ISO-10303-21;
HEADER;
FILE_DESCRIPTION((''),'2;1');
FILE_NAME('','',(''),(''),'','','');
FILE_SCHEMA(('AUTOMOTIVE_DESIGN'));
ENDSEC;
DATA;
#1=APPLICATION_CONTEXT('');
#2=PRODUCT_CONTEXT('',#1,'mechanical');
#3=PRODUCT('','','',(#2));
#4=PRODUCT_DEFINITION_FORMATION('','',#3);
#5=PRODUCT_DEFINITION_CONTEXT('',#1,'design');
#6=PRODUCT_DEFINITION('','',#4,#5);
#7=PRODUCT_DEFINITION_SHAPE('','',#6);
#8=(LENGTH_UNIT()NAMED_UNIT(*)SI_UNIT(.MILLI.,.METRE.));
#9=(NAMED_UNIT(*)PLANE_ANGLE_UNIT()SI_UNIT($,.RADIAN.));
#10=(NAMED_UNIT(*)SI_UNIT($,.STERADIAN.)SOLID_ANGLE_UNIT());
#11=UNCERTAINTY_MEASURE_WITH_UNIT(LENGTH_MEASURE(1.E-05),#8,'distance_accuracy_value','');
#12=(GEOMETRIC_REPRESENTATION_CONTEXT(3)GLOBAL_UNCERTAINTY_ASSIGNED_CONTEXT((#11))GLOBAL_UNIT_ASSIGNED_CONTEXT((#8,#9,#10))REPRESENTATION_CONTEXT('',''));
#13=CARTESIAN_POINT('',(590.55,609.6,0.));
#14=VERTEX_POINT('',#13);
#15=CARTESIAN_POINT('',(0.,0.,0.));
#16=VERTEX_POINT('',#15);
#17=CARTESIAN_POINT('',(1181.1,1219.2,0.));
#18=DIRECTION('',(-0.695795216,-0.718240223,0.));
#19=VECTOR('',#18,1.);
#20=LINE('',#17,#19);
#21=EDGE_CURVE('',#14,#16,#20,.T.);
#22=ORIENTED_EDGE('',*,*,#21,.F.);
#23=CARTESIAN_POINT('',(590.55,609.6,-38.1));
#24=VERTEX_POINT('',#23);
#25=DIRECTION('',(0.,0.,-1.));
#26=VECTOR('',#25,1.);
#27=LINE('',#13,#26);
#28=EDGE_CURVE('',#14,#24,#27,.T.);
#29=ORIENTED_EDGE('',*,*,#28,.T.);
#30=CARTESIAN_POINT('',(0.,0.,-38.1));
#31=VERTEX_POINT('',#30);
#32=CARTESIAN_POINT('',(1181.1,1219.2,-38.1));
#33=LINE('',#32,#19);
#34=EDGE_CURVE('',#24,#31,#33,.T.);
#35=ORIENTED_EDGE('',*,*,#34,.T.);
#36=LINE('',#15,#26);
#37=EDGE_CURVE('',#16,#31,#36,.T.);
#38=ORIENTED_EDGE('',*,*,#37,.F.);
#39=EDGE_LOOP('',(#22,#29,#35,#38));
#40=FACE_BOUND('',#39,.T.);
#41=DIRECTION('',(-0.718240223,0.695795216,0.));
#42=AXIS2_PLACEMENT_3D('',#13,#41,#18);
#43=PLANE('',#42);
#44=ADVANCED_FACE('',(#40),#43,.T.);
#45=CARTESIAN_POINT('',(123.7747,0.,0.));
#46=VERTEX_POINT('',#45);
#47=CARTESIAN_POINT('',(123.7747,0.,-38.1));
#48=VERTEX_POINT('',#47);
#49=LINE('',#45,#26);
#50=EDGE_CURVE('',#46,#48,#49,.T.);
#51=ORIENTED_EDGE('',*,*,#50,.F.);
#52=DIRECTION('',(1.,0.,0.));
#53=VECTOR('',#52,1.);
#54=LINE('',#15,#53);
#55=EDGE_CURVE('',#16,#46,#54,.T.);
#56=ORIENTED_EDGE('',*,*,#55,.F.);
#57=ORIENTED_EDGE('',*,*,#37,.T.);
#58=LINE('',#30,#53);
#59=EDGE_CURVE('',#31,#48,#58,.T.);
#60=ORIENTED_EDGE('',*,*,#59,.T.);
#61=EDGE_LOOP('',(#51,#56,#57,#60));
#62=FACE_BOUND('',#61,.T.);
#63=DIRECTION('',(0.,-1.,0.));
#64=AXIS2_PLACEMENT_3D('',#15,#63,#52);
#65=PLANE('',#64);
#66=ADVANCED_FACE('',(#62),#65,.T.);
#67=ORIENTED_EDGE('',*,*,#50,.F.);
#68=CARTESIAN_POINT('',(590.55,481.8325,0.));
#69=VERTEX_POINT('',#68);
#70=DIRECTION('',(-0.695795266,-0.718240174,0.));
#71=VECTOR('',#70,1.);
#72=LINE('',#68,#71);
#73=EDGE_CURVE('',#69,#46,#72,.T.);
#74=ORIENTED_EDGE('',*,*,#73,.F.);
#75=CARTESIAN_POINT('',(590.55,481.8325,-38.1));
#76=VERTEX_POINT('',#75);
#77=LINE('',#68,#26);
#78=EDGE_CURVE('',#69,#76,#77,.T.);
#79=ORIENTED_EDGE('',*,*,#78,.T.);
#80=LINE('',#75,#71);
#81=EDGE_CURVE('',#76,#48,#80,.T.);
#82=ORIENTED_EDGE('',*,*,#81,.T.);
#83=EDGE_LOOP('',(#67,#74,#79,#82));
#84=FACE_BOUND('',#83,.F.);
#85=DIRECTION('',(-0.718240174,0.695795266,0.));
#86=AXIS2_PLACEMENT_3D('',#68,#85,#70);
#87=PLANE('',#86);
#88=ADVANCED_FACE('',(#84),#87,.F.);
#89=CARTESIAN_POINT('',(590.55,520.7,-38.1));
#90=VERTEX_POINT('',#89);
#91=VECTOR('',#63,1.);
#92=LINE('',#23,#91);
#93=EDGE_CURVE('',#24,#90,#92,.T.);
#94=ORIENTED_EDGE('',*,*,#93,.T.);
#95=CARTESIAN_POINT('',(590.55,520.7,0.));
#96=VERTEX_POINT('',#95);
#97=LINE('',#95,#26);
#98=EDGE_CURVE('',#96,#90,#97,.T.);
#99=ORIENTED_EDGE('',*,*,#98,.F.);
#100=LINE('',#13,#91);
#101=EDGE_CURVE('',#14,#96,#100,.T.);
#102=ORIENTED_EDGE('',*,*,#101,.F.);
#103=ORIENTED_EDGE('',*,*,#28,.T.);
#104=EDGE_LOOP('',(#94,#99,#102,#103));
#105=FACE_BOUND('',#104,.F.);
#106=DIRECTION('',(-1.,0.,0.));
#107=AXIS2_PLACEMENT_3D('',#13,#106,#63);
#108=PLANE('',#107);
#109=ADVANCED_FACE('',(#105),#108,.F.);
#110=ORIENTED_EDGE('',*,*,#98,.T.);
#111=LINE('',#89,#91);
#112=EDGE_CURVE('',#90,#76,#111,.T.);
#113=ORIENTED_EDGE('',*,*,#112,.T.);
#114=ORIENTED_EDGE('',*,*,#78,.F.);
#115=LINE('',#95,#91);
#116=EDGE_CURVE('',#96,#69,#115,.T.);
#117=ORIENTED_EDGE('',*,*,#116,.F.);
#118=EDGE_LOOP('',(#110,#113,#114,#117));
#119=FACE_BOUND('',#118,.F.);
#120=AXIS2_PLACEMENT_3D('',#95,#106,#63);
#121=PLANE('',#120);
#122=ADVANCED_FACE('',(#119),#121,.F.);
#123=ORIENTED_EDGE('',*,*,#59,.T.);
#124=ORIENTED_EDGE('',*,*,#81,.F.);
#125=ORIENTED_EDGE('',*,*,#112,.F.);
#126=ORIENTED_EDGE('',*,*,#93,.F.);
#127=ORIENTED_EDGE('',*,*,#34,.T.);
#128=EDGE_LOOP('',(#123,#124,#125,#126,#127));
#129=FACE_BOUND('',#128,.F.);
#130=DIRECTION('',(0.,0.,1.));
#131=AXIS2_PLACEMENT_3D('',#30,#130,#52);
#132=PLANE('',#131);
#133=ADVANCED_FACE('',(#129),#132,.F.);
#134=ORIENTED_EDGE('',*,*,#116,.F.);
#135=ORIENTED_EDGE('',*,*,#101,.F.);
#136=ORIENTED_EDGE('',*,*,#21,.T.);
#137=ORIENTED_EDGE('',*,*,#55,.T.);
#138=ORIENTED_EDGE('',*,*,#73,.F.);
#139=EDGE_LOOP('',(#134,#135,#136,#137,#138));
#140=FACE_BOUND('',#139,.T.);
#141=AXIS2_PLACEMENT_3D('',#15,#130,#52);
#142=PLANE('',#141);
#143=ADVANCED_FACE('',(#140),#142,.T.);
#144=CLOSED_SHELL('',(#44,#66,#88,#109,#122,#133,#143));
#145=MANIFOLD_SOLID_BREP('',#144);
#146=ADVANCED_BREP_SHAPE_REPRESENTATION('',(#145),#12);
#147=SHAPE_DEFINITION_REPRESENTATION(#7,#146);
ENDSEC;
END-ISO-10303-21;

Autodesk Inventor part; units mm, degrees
ref_plane "YZ Plane" through (0, 0, 0) normal (1, 0, 0) x (0, 1, 0)
ref_plane "XZ Plane" through (0, 0, 0) normal (0, 1, 0) x (-1, 0, 0)
ref_plane "XY Plane" through (0, 0, 0) normal (0, 0, 1) x (1, 0, 0)
sketch "Sketch1" plane through (0, 0, 0) normal (0, 0, 1) x (1, 0, 0)
  line L0 (0, 0) -> (1219.2, 0) projected
  line L1 (1181.1, 0) -> (1181.1, 609.6) projected
  line L2 (1181.1, 1219.2) -> (0, 0) projected
  line L3 (0, 0) -> (590.55, 609.6)
  line L4 (590.55, 520.7) -> (590.55, 481.8325)
  line L5 (590.55, 481.8325) -> (123.7747, 0)
  line L6 (590.55, 609.6) -> (1181.1, 609.6)
  line L7 (1181.1, 520.7) -> (590.55, 520.7)
  line L8 (590.55, 609.6) -> (590.55, 520.7)
  dimension "d0" = 88.9
  dimension "d1" = 88.9
extrude "Extrusion1" add sketch "Sketch1" against normal blind 38.1 contours L2 L8 L4 L5 L0
properties part number "S_2x4x33.415"
